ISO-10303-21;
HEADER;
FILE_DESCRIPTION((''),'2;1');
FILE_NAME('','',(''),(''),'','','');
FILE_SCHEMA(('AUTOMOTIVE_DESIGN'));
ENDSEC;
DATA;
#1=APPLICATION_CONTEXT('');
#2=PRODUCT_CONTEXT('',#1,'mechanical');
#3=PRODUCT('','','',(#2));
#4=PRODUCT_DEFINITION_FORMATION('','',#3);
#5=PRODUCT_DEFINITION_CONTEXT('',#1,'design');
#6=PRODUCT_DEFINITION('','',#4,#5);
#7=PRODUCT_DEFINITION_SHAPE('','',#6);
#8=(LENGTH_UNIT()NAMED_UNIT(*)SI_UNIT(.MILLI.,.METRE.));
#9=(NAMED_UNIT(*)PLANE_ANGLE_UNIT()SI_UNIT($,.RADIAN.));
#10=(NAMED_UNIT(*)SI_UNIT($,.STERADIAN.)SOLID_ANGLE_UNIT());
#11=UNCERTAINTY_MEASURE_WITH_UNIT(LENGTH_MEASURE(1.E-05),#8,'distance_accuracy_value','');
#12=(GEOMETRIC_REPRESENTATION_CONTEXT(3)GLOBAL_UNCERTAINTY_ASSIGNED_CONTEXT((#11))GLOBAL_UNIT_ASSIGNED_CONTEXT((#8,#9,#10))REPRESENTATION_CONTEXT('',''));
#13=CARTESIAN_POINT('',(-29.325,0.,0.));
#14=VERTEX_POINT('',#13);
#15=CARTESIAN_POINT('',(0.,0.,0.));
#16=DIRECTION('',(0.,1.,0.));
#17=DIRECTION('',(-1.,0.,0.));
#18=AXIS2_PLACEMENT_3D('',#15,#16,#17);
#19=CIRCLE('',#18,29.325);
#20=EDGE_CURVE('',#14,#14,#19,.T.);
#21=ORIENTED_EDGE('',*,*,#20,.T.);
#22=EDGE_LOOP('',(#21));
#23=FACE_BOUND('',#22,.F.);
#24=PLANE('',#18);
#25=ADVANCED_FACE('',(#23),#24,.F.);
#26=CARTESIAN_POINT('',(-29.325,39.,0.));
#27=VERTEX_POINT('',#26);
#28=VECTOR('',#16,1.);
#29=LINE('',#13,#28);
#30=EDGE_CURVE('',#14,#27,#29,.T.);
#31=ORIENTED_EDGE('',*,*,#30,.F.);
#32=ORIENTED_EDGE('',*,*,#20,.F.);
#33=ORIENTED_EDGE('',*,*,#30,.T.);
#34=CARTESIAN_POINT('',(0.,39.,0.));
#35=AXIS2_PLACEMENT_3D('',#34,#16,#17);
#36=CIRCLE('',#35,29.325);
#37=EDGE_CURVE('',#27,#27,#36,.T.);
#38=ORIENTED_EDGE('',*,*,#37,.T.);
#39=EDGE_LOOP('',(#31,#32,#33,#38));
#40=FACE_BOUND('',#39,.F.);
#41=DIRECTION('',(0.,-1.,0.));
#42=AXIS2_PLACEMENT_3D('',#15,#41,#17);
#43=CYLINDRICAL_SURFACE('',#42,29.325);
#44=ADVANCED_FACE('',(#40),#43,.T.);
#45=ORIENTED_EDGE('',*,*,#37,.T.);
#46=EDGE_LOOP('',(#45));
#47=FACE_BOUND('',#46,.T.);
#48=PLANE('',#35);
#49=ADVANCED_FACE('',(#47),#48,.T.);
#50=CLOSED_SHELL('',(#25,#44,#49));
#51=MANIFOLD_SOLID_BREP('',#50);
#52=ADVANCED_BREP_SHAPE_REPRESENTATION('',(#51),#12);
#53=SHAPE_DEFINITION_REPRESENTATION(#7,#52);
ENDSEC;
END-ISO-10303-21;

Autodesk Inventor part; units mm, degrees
ref_plane "YZ Plane" through (0, 0, 0) normal (1, 0, 0) x (0, 1, 0)
ref_plane "XZ Plane" through (0, 0, 0) normal (0, 1, 0) x (-1, 0, 0)
ref_plane "XY Plane" through (0, 0, 0) normal (0, 0, 1) x (1, 0, 0)
sketch "Boceto1" plane through (0, 0, 0) normal (0, 1, 0) x (-1, 0, 0)
  circle A0 centre (0, 0) radius 29.325
  dimension "d0" = 58.65
extrude "Extrusión1" add sketch "Boceto1" along normal blind 39
